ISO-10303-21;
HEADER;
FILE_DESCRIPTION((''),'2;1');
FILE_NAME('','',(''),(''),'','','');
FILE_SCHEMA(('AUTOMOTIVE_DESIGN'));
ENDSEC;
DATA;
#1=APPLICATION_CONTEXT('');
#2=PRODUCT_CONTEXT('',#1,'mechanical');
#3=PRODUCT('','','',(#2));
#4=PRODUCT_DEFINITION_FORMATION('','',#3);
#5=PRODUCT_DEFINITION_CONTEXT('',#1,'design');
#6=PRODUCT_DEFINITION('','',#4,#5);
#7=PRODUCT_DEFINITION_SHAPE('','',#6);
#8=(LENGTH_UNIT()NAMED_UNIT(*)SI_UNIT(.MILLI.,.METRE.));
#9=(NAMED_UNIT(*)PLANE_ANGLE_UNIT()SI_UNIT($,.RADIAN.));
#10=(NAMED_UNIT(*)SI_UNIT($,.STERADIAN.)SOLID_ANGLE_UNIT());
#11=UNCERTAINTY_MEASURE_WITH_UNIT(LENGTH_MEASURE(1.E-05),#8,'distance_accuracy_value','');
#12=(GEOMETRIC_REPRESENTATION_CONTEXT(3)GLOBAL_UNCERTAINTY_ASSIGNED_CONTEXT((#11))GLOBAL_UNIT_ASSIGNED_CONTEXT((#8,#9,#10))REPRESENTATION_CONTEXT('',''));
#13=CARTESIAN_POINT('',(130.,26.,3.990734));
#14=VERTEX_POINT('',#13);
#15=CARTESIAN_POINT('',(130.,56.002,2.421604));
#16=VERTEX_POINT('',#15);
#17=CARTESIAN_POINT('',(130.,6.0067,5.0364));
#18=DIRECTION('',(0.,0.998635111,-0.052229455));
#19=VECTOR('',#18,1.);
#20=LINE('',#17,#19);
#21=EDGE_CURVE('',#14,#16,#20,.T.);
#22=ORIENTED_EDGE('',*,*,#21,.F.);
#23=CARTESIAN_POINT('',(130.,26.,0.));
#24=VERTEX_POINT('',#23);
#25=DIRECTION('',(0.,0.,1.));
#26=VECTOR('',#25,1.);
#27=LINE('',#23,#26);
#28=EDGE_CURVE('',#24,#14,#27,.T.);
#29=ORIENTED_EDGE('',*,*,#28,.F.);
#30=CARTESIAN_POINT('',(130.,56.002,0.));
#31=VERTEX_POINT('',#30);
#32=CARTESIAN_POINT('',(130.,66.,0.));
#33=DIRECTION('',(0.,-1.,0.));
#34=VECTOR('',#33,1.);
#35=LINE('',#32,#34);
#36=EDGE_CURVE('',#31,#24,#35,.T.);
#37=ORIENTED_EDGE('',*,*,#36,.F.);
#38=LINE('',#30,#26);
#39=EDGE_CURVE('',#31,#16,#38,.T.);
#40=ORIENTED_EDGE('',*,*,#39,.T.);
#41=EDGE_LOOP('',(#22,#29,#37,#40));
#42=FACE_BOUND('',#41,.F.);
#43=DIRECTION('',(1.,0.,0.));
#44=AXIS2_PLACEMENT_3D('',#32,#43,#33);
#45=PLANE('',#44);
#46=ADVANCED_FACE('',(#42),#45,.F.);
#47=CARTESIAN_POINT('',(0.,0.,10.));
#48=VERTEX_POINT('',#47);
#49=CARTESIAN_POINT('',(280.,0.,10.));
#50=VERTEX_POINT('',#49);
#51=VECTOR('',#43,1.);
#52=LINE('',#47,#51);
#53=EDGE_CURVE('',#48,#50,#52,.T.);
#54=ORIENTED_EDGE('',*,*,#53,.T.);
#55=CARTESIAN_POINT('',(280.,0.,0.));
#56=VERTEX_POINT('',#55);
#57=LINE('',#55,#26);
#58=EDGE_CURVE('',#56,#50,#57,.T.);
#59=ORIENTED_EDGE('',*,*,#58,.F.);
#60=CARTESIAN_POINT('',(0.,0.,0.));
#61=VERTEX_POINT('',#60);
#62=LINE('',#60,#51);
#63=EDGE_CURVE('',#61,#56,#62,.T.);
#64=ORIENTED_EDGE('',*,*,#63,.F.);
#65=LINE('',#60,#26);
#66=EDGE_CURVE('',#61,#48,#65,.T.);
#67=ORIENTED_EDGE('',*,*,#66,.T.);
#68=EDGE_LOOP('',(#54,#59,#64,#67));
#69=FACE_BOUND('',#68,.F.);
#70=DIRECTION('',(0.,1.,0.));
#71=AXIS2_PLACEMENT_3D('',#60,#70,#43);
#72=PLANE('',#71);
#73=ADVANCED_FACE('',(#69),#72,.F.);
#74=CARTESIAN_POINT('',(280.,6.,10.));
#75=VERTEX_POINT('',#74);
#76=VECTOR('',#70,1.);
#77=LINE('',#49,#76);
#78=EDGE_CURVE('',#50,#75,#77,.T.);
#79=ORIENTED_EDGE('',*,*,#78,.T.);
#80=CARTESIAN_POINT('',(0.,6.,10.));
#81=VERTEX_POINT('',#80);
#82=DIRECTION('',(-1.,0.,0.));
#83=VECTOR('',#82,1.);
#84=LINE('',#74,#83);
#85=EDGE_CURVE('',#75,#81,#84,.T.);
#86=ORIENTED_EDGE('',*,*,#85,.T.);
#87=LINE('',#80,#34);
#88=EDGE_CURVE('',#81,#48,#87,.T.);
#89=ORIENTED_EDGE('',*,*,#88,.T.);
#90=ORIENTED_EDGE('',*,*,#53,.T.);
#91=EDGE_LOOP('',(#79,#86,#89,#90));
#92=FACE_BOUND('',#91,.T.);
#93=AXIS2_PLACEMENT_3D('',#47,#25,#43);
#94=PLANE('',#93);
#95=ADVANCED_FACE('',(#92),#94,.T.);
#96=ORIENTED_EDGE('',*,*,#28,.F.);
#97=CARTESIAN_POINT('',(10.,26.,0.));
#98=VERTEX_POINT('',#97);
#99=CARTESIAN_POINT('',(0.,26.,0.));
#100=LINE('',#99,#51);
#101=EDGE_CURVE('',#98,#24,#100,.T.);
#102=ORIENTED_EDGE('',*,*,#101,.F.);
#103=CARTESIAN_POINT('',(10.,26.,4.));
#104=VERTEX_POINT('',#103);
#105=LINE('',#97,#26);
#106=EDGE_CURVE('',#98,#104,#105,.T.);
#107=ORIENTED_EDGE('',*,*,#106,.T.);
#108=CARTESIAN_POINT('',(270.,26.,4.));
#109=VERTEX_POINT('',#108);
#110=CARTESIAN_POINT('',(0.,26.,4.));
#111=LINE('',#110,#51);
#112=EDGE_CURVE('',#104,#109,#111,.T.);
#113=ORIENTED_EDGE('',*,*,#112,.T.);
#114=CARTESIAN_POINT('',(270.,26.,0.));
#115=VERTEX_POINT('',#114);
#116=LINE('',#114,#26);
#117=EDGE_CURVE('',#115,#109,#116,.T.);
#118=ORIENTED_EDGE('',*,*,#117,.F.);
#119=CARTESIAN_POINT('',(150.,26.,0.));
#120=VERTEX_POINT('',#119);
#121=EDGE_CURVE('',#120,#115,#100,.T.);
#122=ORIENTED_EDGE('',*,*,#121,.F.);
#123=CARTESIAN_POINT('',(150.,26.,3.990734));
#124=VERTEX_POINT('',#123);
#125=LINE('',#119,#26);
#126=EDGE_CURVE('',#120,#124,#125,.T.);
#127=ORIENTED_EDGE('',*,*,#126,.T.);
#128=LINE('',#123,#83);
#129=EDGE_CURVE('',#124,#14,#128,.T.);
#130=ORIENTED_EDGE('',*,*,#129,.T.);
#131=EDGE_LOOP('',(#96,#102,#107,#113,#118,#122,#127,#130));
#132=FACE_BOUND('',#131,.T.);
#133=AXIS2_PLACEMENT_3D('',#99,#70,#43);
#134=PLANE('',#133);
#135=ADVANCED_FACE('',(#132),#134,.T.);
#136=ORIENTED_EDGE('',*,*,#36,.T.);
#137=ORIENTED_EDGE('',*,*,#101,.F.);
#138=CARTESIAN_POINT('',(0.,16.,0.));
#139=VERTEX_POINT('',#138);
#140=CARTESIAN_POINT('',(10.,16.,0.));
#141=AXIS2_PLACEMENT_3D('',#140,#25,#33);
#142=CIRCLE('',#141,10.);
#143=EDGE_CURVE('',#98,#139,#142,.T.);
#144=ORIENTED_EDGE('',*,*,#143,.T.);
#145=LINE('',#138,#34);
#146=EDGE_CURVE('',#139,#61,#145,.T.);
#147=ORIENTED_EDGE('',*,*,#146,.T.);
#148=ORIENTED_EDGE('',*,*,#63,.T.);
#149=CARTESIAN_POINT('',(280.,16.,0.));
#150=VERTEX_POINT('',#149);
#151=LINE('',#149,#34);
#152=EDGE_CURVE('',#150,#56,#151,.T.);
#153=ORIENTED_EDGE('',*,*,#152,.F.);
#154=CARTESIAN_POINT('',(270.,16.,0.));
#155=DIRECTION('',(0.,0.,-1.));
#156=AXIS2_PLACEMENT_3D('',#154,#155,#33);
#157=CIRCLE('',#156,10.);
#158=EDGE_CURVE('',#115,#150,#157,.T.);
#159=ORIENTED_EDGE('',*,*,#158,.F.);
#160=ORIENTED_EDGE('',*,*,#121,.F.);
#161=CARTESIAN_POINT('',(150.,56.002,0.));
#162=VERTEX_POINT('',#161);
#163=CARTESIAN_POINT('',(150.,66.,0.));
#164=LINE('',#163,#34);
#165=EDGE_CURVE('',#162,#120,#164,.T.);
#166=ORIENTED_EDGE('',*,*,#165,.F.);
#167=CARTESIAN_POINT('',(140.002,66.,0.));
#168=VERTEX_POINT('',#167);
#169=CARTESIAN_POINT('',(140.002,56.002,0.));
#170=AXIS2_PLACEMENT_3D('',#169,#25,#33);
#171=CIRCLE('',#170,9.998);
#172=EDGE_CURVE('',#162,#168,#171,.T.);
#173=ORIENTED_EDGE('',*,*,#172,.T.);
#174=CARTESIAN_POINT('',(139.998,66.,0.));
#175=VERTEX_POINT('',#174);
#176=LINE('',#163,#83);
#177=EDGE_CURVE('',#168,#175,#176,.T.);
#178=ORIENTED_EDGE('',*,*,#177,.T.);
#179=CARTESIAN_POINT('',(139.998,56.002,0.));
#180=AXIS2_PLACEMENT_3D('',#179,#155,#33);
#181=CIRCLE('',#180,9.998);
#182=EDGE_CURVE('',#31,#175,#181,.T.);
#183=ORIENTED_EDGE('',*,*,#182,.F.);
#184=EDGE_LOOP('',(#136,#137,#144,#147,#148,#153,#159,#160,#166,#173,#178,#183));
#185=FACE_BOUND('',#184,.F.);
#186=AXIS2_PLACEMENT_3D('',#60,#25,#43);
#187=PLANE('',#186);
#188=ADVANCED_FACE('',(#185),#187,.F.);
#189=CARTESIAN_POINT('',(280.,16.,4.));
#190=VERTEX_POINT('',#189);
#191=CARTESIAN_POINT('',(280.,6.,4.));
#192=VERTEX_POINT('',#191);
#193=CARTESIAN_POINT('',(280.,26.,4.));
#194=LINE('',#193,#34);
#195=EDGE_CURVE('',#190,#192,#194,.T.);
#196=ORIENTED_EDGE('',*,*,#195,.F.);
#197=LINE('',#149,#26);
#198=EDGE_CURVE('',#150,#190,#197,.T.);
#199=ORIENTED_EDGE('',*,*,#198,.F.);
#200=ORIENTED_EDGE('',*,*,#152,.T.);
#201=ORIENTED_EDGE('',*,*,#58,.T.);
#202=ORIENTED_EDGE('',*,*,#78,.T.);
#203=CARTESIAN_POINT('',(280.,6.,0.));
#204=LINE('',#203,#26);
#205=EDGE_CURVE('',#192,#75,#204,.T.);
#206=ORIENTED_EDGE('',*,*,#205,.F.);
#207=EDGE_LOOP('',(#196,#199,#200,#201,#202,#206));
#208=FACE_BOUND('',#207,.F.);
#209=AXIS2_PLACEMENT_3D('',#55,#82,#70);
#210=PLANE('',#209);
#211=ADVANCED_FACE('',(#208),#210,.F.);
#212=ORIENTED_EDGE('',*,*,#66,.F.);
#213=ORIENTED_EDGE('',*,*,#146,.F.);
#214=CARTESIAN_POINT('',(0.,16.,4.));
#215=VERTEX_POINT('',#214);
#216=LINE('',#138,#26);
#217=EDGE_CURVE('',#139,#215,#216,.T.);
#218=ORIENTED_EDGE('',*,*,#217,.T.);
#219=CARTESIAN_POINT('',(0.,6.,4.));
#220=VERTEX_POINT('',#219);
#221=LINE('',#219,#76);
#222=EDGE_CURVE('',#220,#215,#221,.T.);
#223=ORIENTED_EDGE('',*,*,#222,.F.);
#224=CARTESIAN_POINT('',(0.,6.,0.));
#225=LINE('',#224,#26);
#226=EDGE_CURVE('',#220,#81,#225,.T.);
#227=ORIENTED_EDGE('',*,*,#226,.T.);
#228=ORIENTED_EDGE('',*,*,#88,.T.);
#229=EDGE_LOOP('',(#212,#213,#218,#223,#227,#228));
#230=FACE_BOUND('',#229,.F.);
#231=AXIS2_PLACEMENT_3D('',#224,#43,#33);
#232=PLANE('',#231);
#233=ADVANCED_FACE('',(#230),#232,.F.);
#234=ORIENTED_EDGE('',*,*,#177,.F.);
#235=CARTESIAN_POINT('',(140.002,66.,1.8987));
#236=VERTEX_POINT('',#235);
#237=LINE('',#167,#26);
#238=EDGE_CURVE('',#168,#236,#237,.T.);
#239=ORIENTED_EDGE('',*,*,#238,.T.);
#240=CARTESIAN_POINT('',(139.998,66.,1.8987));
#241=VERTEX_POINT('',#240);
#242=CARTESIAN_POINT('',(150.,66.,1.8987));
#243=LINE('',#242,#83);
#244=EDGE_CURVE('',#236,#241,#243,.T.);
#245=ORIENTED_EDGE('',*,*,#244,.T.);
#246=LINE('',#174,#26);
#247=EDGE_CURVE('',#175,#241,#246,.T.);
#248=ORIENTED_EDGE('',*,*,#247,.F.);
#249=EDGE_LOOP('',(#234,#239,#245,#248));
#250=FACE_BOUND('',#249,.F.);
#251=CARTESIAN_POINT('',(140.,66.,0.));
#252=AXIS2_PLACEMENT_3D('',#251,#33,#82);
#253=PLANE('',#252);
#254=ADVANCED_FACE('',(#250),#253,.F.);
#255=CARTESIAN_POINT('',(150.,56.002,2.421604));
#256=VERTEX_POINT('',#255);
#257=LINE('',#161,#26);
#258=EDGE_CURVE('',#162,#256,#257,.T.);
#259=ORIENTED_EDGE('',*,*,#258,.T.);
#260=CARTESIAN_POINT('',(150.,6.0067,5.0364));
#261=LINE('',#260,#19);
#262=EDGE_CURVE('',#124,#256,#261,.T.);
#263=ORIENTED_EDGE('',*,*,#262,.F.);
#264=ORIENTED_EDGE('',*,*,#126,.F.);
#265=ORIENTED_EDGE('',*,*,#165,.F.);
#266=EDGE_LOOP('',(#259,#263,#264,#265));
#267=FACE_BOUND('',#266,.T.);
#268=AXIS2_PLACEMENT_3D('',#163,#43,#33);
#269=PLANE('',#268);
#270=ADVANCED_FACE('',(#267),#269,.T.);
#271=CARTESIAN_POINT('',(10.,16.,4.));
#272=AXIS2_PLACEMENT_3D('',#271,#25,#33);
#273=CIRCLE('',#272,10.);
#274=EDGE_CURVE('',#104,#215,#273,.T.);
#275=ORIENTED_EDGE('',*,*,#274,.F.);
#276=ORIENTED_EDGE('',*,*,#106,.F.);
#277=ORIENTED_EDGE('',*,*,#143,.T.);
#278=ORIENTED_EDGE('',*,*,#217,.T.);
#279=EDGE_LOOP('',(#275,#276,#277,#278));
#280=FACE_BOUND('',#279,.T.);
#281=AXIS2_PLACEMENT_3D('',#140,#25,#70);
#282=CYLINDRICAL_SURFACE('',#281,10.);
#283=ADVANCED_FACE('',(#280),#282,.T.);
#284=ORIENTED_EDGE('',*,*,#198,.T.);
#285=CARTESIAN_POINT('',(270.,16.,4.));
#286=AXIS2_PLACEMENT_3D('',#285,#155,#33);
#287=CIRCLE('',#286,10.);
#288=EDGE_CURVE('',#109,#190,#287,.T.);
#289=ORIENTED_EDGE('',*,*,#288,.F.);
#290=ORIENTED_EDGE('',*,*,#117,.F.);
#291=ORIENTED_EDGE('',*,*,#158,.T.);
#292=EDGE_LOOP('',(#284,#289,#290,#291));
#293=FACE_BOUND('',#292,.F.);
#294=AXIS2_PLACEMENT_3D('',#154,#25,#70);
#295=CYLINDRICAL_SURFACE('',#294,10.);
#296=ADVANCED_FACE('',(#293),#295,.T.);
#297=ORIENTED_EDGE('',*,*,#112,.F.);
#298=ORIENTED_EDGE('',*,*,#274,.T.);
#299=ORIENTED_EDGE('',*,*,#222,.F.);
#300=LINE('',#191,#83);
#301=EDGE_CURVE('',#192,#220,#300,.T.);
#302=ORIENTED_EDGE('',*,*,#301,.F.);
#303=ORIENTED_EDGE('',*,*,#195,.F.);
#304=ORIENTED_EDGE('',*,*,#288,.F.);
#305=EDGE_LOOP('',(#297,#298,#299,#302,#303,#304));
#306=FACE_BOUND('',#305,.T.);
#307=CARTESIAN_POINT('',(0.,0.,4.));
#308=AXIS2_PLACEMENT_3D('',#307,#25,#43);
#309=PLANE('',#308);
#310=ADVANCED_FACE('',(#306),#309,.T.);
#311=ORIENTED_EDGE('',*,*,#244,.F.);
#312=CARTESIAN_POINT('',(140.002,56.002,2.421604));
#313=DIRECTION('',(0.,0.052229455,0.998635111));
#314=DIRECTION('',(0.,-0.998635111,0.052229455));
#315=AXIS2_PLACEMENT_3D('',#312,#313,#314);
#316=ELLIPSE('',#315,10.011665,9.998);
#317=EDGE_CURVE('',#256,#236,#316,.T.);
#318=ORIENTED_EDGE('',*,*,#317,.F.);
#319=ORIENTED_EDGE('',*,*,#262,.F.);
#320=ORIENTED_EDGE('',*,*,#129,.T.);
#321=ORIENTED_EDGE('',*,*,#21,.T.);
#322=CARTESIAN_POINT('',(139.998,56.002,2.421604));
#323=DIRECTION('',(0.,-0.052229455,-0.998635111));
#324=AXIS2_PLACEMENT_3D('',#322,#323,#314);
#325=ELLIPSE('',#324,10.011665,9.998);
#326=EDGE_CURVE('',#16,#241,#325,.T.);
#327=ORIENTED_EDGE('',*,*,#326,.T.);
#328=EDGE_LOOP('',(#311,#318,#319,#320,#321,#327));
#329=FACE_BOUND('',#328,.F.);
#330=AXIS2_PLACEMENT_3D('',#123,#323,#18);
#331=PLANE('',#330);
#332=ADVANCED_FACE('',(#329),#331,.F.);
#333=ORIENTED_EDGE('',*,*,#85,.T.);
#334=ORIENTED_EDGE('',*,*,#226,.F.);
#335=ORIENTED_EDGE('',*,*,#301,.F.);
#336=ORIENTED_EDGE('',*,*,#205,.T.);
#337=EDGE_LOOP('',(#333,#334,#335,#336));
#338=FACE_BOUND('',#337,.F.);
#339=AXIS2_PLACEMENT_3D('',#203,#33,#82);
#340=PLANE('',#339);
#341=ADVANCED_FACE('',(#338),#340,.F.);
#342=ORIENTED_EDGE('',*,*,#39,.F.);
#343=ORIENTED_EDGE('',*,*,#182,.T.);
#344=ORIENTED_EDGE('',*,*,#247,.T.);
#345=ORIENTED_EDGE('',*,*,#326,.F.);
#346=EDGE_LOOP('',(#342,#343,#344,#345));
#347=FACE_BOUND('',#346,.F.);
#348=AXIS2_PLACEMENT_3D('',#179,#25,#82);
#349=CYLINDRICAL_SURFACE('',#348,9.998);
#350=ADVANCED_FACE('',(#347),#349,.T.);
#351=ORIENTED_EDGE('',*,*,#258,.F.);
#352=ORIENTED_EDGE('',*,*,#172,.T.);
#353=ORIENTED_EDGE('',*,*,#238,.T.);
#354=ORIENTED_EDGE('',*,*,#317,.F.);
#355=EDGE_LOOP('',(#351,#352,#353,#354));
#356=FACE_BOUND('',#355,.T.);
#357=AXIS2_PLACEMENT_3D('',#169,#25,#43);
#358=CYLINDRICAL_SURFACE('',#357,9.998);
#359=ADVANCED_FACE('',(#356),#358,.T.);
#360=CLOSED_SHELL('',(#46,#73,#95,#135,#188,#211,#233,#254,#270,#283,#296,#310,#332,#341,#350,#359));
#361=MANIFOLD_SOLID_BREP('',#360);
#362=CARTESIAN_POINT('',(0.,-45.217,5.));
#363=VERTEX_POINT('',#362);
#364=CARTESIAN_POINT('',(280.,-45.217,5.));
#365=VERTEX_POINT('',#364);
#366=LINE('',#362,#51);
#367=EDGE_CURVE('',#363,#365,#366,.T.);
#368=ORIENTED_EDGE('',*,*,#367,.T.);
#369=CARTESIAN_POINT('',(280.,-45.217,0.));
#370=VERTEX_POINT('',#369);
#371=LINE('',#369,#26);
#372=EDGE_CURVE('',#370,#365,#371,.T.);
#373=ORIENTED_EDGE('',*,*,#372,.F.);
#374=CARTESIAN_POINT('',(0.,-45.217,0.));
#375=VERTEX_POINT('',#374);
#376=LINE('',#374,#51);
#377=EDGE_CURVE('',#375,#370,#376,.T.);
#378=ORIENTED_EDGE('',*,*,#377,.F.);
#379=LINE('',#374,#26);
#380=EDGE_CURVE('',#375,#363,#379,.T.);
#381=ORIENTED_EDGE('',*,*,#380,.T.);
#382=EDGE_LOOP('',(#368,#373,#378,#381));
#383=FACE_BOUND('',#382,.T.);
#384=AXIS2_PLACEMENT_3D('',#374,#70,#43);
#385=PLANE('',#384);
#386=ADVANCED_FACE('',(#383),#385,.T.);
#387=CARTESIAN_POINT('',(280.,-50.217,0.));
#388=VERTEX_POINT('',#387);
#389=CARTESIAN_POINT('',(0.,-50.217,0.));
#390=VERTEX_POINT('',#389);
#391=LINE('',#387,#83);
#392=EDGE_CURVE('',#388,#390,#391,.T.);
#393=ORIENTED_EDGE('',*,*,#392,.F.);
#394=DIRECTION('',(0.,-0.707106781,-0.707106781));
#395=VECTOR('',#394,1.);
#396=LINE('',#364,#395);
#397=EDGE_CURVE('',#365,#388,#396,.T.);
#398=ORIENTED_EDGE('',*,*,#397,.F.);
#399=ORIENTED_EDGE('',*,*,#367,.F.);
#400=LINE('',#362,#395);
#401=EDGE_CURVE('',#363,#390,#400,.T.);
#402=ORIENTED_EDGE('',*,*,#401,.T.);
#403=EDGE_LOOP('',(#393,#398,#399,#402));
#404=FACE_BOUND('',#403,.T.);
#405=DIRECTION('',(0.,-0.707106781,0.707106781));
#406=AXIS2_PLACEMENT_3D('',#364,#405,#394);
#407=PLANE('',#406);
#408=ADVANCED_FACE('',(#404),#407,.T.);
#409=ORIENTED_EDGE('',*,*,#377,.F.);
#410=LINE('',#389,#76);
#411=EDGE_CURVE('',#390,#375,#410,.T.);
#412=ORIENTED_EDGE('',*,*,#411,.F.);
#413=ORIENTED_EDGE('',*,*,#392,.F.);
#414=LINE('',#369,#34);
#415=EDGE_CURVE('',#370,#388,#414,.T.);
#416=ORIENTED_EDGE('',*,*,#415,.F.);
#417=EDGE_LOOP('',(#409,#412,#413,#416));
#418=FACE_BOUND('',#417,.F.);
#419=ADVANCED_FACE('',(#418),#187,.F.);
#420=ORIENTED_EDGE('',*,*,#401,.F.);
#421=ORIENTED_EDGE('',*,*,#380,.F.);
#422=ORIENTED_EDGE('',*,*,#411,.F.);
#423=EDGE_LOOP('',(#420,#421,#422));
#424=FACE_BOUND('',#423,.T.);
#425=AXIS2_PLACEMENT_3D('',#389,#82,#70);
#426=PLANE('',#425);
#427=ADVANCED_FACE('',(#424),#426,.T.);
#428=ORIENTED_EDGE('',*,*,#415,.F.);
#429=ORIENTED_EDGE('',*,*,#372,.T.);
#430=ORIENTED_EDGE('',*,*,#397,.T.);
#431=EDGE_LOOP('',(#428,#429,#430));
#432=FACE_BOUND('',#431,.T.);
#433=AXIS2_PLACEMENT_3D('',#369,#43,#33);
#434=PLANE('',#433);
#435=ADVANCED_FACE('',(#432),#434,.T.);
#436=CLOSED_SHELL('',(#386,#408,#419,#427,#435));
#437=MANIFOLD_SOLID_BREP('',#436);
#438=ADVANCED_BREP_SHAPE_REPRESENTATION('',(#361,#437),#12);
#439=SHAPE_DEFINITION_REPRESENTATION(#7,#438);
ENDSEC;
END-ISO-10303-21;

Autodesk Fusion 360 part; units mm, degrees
sketch "Sketch1" plane through (0, 0, 0) normal (0, 0, 1) x (1, 0, 0)
  line L0 (0, 0) -> (280, 0)
  line L1 (280, 0) -> (280, 6)
  line L2 (280, 6) -> (0, 6)
  line L3 (0, 6) -> (0, 0)
  line L4 (280, 6) -> (0, 6)
  line L5 (0, 6) -> (0, 26)
  line L6 (0, 26) -> (280, 26)
  line L7 (280, 26) -> (280, 6)
  line L8 (140, 26) -> (140, 66) construction
  line L9 (140, 66) -> (150, 66)
  line L10 (150, 66) -> (150, 26)
  line L11 (150, 26) -> (140, 26)
  line L12 (140, 26) -> (140, 66)
  line L13 (140, 66) -> (130, 66)
  line L14 (130, 66) -> (130, 26)
  line L15 (130, 26) -> (140, 26)
  line L16 (140, 26) -> (140, 66)
  dimension "d1" = 280
  dimension "d2" = 6
  dimension "d9" = 20
  dimension "d10" = 280
  dimension "d11" = 40
  dimension "d12" = 10
  dimension "d13" = 10
extrude "Extrude3" add sketch "Sketch1" along normal blind 4 contours L2 L4 L5 L6 L7 L11 L15 makes body 1
extrude "Extrude1" add sketch "Sketch1" along normal blind 10 separate body contours L0 L1 L2 L3 L4 makes body 2
extrude "Extrude4" add sketch "Sketch1" along normal blind 4 contours L6 L12 L13 L14 L15 L16 | L6 L9 L10 L11 L12 L16 bodies 1
sketch "Sketch3" plane through (150, 0, 0) normal (1, 0, 0) x (0, 1, 0)
  line L0 (26, 0) -> (66, 0)
  line L1 (66, 0) -> (66, 4)
  line L2 (66, 4) -> (26, 4)
  line L3 (26, 4) -> (26, 0)
  line L4 (6.0067, 5.0364) -> (66, 1.8987)
extrude "Extrude5" cut sketch "Sketch3" against normal blind 20 contours L1 L2 L3 L4 bodies 1
sketch "Sketch4" plane through (0, 0, 0) normal (0, 0, 1) x (1, 0, 0)
  line L0 (0, -45.217) -> (280, -45.217)
  line L1 (280, -45.217) -> (280, -50.217)
  line L2 (280, -50.217) -> (0, -50.217)
  line L3 (0, -50.217) -> (0, -45.217)
  dimension "d20" = 280
  dimension "d21" = 5
extrude "Extrude6" add sketch "Sketch4" along normal blind 5 separate body makes body 3
sketch "Sketch5" plane through (280, 0, 0) normal (1, 0, 0) x (0, 1, 0)
  line L0 (-50.217, 0) -> (-45.217, 0)
  line L1 (-45.217, 0) -> (-45.217, 5)
  line L2 (-45.217, 5) -> (-50.217, 5)
  line L3 (-50.217, 5) -> (-50.217, 0)
  line L4 (-45.217, 5) -> (-50.217, 0)
extrude "Extrude7" cut sketch "Sketch5" against normal blind 280 contours L2 L3 L4 bodies 3
fillet "Fillet1" radius 10 2 edges at (130, 66, 0.9493) (150, 66, 0.9493) on bodies 1
fillet "Fillet2" radius 10 1 edges at (280, 26, 2) on bodies 1
fillet "Fillet3" radius 10 1 edges at (0, 26, 2) on bodies 1
combine "Combine1" operation add target body 1 tool bodies 2
